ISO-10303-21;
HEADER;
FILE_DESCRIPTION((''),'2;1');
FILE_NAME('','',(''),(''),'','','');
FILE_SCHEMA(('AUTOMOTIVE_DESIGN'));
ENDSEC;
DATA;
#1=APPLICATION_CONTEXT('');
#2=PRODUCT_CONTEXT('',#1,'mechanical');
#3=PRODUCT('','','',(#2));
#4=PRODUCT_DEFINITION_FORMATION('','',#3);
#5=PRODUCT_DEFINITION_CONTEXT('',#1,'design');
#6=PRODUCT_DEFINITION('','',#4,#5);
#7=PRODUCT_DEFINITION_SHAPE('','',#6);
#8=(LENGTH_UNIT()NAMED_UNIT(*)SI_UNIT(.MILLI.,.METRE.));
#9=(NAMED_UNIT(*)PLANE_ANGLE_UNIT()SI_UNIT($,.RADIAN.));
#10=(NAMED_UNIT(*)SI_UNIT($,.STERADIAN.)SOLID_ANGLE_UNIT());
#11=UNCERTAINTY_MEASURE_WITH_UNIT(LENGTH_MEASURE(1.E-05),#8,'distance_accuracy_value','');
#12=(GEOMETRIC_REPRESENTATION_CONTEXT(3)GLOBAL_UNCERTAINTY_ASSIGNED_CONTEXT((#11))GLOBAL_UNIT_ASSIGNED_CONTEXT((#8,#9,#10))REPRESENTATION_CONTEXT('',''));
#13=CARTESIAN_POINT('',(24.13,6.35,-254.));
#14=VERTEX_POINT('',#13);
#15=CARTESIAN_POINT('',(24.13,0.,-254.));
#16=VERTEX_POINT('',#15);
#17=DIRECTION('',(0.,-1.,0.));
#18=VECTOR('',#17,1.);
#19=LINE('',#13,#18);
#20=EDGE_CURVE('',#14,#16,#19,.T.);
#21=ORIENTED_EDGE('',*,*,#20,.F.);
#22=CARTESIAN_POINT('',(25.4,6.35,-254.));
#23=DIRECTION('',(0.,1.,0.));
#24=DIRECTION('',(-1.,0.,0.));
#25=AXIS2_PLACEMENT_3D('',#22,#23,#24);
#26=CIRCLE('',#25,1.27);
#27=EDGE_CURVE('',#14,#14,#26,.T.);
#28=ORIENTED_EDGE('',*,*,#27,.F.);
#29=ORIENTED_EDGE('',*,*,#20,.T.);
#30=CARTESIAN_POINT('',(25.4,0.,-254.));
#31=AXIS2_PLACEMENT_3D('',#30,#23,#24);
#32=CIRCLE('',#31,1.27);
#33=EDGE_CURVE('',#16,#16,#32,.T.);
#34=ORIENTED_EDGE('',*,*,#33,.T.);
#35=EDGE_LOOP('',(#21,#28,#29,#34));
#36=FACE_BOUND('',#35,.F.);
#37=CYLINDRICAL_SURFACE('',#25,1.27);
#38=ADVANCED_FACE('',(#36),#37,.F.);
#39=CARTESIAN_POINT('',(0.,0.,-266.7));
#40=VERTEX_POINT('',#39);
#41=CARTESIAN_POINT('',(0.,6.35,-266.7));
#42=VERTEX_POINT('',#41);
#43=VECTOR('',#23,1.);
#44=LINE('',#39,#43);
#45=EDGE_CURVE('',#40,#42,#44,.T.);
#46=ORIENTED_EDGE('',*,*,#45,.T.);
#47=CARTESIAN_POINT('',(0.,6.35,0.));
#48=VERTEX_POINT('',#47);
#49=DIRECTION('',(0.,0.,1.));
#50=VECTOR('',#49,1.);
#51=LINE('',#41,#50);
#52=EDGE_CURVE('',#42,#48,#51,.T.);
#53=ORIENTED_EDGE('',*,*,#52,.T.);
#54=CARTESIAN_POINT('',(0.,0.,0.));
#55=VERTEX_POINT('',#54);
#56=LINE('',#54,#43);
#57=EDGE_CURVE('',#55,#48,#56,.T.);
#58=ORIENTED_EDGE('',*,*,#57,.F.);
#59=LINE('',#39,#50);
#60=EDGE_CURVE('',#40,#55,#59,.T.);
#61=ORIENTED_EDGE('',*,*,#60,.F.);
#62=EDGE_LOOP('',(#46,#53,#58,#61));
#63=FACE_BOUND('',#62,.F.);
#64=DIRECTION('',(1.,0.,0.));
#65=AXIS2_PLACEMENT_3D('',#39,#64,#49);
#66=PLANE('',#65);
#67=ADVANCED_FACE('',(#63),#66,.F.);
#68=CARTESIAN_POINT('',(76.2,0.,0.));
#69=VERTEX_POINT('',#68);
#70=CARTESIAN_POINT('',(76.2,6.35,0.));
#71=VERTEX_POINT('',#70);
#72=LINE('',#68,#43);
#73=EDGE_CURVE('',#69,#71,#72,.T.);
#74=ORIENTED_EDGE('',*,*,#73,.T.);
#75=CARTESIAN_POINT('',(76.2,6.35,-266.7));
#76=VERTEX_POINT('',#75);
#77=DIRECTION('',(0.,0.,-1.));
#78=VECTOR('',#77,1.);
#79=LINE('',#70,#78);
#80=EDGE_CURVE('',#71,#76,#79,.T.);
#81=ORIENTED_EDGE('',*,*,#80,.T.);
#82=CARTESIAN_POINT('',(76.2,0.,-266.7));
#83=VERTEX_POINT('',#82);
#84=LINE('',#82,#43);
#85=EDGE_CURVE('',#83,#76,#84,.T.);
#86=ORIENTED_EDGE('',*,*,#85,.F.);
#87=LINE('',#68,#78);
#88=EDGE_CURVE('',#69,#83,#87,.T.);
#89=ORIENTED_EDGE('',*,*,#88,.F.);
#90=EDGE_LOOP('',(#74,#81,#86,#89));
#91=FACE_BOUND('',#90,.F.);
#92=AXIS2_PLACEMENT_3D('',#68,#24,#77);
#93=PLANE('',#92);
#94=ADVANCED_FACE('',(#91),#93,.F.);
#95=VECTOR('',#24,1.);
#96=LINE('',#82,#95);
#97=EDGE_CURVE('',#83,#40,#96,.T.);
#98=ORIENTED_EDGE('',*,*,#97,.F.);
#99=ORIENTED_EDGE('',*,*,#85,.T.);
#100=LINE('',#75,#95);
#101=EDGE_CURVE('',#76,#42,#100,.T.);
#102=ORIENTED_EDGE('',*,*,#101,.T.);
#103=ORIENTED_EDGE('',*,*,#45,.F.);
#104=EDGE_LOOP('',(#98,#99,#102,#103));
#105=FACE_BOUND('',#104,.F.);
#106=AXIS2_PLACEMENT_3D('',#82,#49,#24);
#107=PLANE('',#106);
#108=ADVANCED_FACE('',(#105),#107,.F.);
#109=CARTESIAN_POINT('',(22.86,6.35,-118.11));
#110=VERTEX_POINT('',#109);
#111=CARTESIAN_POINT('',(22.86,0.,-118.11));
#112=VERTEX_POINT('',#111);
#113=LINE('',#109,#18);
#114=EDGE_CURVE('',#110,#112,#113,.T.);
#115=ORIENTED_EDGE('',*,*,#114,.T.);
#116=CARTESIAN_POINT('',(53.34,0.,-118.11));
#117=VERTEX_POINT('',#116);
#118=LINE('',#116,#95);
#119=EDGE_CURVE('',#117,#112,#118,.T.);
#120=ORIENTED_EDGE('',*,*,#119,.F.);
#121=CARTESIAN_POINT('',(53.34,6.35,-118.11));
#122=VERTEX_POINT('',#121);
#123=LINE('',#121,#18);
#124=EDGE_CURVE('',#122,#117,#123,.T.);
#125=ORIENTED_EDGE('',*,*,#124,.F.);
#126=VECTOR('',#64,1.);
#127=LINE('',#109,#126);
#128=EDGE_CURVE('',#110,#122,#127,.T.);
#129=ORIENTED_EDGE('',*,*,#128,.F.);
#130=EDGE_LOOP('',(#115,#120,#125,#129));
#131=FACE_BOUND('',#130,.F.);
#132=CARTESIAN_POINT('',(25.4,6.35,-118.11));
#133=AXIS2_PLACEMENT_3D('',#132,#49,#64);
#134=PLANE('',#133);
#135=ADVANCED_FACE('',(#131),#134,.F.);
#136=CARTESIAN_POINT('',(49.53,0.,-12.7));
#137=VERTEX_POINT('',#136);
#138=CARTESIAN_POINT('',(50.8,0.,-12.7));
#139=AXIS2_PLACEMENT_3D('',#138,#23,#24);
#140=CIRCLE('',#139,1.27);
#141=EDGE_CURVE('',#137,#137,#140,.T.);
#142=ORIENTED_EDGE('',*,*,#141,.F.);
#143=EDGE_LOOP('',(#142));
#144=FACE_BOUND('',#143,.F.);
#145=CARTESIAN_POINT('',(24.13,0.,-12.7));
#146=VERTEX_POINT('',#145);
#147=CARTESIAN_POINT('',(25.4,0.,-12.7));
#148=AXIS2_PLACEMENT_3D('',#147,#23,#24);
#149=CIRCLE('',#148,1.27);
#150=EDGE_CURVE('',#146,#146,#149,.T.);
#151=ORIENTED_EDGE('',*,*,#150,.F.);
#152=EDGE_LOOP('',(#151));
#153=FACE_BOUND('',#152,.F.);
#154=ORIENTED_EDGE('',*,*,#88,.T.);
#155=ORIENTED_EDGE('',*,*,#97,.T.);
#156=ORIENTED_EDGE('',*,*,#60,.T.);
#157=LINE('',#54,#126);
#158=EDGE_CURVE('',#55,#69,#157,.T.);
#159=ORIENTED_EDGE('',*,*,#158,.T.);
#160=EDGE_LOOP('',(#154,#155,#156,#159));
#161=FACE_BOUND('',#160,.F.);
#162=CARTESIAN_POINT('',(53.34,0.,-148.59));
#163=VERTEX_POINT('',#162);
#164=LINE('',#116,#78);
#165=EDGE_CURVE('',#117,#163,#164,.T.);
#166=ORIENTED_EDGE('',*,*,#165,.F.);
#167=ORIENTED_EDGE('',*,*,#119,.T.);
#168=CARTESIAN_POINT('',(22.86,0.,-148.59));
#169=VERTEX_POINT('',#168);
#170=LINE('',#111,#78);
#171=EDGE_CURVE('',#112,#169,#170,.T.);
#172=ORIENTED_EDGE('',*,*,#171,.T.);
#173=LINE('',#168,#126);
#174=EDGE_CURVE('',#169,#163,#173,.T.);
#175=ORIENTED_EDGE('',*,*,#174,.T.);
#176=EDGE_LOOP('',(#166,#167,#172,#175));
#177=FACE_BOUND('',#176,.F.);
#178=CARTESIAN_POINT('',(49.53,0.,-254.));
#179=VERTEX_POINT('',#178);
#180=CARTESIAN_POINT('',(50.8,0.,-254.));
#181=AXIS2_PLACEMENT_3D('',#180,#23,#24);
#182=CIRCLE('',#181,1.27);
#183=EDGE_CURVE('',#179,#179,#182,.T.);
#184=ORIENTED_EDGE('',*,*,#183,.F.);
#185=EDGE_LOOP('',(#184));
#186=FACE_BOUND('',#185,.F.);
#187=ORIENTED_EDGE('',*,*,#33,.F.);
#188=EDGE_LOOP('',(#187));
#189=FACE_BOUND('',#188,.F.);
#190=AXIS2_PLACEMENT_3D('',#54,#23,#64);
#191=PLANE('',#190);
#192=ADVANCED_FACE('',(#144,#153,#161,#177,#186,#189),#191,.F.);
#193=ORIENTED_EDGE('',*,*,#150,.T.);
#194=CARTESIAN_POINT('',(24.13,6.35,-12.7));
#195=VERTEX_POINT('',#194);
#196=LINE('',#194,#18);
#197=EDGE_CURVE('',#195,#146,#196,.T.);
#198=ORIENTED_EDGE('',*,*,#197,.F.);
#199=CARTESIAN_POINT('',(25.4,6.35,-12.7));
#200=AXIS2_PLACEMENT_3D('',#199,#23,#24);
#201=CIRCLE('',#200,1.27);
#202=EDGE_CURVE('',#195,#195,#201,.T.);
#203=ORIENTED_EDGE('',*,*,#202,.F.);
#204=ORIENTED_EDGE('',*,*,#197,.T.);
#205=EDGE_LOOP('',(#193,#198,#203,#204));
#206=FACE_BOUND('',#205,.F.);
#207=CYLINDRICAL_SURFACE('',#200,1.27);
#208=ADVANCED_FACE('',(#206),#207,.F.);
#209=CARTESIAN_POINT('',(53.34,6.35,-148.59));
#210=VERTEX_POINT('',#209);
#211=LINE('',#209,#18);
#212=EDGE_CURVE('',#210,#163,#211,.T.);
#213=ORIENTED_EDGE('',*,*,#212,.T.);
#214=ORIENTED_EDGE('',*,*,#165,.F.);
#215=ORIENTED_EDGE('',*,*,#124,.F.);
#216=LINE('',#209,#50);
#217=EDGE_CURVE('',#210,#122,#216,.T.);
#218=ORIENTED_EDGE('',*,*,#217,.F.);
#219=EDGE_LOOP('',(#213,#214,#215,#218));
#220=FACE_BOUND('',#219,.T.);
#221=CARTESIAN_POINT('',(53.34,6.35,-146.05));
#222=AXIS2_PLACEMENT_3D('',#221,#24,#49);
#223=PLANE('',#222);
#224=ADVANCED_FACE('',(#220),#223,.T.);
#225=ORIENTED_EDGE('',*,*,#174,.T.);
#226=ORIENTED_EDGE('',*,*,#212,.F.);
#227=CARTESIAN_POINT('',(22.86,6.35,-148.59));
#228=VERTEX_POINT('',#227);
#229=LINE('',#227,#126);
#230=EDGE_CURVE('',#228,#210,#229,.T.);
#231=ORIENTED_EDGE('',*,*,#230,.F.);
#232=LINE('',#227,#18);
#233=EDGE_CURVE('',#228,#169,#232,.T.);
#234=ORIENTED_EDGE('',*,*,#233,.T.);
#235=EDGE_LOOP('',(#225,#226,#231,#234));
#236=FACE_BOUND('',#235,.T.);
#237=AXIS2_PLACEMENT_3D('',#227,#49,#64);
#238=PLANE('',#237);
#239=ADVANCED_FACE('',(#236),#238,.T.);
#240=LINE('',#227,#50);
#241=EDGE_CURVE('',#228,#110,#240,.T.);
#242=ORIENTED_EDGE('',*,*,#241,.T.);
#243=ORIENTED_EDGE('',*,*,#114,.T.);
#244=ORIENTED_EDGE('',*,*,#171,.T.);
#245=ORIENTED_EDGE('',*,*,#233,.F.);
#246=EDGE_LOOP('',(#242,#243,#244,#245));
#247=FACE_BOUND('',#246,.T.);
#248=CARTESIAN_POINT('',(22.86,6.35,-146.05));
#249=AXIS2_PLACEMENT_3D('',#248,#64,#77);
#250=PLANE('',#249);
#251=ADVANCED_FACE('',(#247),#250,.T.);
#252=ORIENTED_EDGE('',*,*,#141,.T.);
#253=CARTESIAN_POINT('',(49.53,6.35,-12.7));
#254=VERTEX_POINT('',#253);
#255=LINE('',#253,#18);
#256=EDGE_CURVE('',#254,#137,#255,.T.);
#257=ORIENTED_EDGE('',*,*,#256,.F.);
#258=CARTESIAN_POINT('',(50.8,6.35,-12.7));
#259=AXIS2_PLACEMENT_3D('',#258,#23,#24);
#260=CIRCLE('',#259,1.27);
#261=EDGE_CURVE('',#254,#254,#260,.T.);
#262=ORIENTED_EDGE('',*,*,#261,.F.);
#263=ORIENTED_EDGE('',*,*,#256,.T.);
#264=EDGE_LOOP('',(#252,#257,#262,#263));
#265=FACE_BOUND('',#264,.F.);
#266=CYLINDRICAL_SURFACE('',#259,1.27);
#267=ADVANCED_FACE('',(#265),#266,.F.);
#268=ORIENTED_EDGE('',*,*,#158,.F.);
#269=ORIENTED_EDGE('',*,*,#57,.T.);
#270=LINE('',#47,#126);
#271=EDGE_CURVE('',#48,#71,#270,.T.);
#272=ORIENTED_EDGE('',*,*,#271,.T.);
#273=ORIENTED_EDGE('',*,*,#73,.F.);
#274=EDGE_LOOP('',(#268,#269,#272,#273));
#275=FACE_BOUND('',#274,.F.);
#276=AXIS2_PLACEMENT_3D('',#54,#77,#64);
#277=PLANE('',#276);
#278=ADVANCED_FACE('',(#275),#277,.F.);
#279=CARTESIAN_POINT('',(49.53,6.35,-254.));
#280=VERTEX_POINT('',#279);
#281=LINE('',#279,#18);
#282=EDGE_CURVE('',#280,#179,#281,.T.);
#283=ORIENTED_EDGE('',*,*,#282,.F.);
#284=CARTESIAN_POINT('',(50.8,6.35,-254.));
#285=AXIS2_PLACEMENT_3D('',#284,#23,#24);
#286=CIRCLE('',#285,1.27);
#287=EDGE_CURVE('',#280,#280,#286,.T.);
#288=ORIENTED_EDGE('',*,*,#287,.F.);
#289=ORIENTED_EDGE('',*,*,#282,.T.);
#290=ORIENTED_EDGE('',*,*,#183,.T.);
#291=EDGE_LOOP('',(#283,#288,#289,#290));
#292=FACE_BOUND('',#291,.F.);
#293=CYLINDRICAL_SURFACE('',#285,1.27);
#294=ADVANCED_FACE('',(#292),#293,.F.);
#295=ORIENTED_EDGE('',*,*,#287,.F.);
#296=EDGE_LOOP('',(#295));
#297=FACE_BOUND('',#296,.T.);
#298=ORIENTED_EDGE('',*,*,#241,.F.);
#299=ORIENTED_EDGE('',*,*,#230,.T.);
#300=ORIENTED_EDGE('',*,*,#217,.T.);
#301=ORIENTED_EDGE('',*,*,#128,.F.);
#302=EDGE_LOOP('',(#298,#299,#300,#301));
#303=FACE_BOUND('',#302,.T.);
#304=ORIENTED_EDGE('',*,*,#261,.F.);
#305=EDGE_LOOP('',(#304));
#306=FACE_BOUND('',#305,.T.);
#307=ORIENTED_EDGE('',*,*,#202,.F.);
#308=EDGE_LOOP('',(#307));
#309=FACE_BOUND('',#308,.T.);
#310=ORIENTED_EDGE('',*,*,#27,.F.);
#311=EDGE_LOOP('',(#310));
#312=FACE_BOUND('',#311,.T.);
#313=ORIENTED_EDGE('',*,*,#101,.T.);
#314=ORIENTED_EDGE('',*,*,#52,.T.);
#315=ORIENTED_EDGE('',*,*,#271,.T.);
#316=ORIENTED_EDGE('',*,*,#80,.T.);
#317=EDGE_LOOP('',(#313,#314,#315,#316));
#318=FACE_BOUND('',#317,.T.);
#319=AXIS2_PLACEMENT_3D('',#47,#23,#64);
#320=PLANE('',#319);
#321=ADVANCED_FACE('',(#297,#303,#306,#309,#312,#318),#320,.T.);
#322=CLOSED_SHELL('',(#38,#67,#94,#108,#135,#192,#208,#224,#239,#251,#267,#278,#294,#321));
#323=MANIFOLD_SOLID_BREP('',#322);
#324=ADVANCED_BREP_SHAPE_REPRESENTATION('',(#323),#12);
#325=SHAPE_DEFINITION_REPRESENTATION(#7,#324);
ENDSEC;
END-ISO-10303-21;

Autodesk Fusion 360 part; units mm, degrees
sketch "Sketch1" plane through (0, 0, 0) normal (0, 1, 0) x (1, 0, 0)
  line L0 (0, 0) -> (76.2, 0)
  line L1 (76.2, 0) -> (76.2, 266.7)
  line L2 (76.2, 266.7) -> (0, 266.7)
  line L3 (0, 266.7) -> (0, 0)
extrude "Extrude1" add sketch "Sketch1" along normal blind 6.35
sketch "Sketch2" plane through (0, 6.35, 0) normal (0, 1, 0) x (-1, 0, 0)
  line L0 (0, -266.7) -> (0, 0)
  line L1 (0, 0) -> (-76.2, 0)
  line L2 (-76.2, 0) -> (-76.2, -266.7)
  line L3 (-76.2, -266.7) -> (0, -266.7)
  circle A0 centre (-25.4, -12.7) radius 1.27
  dimension "d3" = 2.54
extrude "Extrude2" cut sketch "Sketch2" against normal blind 6.35 contours A0
sketch "Sketch3" plane through (0, 6.35, 0) normal (0, 1, 0) x (-1, 0, 0)
  circle A0 centre (-25.4, -12.7) radius 1.27
  line L0 (0, -266.7) -> (0, 0)
  line L1 (0, 0) -> (-76.2, 0)
  line L2 (-76.2, 0) -> (-76.2, -266.7)
  line L3 (-76.2, -266.7) -> (0, -266.7)
  circle A1 centre (-50.8, -12.7) radius 1.27
  circle A2 centre (-25.4, -254) radius 1.27
  circle A3 centre (-50.8, -254) radius 1.27
  dimension "d6" = 2.54
  dimension "d7" = 2.54
  dimension "d8" = 2.54
extrude "Extrude3" cut sketch "Sketch3" against normal blind 6.35 contours A1 | A2 | A3
sketch "Sketch4" plane through (0, 6.35, 0) normal (0, 1, 0) x (-1, 0, 0)
  circle A0 centre (-50.8, -12.7) radius 1.27
  circle A1 centre (-50.8, -254) radius 1.27
  circle A2 centre (-25.4, -254) radius 1.27
  circle A3 centre (-25.4, -12.7) radius 1.27
  line L0 (0, -266.7) -> (0, 0)
  line L1 (0, 0) -> (-76.2, 0)
  line L2 (-76.2, 0) -> (-76.2, -266.7)
  line L3 (-76.2, -266.7) -> (0, -266.7)
  line L4 (-25.4, -146.05) -> (-50.8, -146.05)
  line L5 (-50.8, -146.05) -> (-50.8, -120.65)
  line L6 (-50.8, -120.65) -> (-25.4, -120.65)
  line L7 (-25.4, -120.65) -> (-25.4, -146.05)
  dimension "d11" = 25.4
  dimension "d12" = 25.4
extrude "Extrude4" cut sketch "Sketch4" against normal blind 6.35 contours L4 L5 L6 L7
sketch "Sketch5" plane through (0, 6.35, 0) normal (0, 1, 0) x (-1, 0, 0)
  line L0 (-50.8, -146.05) -> (-50.8, -120.65)
  line L1 (-50.8, -120.65) -> (-25.4, -120.65)
  line L2 (-25.4, -120.65) -> (-25.4, -146.05)
  line L3 (-25.4, -146.05) -> (-50.8, -146.05)
  circle A0 centre (-50.8, -12.7) radius 1.27
  circle A1 centre (-50.8, -254) radius 1.27
  circle A2 centre (-25.4, -254) radius 1.27
  circle A3 centre (-25.4, -12.7) radius 1.27
  line L4 (0, -266.7) -> (0, 0)
  line L5 (0, 0) -> (-76.2, 0)
  line L6 (-76.2, 0) -> (-76.2, -266.7)
  line L7 (-76.2, -266.7) -> (0, -266.7)
  line L8 (-50.8, -146.05) -> (-53.34, -146.05)
  line L9 (-53.34, -146.05) -> (-53.34, -120.65)
  line L10 (-53.34, -120.65) -> (-50.8, -120.65)
  line L11 (-50.8, -120.65) -> (-50.8, -146.05)
  line L12 (-22.86, -148.59) -> (-53.34, -148.59)
  line L13 (-53.34, -148.59) -> (-53.34, -146.05)
  line L14 (-53.34, -146.05) -> (-22.86, -146.05)
  line L15 (-22.86, -146.05) -> (-22.86, -148.59)
  line L16 (-22.86, -146.05) -> (-25.4, -146.05)
  line L17 (-25.4, -146.05) -> (-25.4, -118.11)
  line L18 (-25.4, -118.11) -> (-22.86, -118.11)
  line L19 (-22.86, -118.11) -> (-22.86, -146.05)
  line L20 (-25.4, -118.11) -> (-53.34, -118.11)
  line L21 (-53.34, -118.11) -> (-53.34, -120.65)
  line L22 (-53.34, -120.65) -> (-25.4, -120.65)
  line L23 (-25.4, -120.65) -> (-25.4, -118.11)
extrude "Extrude5" cut sketch "Sketch5" against normal blind 6.35 contours L0 L8 L9 L10 L11 L14 L22 | L3 L8 L12 L13 L14 L15 L16 | L1 L10 L17 L20 L21 L22 L23 | L2 L14 L16 L17 L18 L19 L23
